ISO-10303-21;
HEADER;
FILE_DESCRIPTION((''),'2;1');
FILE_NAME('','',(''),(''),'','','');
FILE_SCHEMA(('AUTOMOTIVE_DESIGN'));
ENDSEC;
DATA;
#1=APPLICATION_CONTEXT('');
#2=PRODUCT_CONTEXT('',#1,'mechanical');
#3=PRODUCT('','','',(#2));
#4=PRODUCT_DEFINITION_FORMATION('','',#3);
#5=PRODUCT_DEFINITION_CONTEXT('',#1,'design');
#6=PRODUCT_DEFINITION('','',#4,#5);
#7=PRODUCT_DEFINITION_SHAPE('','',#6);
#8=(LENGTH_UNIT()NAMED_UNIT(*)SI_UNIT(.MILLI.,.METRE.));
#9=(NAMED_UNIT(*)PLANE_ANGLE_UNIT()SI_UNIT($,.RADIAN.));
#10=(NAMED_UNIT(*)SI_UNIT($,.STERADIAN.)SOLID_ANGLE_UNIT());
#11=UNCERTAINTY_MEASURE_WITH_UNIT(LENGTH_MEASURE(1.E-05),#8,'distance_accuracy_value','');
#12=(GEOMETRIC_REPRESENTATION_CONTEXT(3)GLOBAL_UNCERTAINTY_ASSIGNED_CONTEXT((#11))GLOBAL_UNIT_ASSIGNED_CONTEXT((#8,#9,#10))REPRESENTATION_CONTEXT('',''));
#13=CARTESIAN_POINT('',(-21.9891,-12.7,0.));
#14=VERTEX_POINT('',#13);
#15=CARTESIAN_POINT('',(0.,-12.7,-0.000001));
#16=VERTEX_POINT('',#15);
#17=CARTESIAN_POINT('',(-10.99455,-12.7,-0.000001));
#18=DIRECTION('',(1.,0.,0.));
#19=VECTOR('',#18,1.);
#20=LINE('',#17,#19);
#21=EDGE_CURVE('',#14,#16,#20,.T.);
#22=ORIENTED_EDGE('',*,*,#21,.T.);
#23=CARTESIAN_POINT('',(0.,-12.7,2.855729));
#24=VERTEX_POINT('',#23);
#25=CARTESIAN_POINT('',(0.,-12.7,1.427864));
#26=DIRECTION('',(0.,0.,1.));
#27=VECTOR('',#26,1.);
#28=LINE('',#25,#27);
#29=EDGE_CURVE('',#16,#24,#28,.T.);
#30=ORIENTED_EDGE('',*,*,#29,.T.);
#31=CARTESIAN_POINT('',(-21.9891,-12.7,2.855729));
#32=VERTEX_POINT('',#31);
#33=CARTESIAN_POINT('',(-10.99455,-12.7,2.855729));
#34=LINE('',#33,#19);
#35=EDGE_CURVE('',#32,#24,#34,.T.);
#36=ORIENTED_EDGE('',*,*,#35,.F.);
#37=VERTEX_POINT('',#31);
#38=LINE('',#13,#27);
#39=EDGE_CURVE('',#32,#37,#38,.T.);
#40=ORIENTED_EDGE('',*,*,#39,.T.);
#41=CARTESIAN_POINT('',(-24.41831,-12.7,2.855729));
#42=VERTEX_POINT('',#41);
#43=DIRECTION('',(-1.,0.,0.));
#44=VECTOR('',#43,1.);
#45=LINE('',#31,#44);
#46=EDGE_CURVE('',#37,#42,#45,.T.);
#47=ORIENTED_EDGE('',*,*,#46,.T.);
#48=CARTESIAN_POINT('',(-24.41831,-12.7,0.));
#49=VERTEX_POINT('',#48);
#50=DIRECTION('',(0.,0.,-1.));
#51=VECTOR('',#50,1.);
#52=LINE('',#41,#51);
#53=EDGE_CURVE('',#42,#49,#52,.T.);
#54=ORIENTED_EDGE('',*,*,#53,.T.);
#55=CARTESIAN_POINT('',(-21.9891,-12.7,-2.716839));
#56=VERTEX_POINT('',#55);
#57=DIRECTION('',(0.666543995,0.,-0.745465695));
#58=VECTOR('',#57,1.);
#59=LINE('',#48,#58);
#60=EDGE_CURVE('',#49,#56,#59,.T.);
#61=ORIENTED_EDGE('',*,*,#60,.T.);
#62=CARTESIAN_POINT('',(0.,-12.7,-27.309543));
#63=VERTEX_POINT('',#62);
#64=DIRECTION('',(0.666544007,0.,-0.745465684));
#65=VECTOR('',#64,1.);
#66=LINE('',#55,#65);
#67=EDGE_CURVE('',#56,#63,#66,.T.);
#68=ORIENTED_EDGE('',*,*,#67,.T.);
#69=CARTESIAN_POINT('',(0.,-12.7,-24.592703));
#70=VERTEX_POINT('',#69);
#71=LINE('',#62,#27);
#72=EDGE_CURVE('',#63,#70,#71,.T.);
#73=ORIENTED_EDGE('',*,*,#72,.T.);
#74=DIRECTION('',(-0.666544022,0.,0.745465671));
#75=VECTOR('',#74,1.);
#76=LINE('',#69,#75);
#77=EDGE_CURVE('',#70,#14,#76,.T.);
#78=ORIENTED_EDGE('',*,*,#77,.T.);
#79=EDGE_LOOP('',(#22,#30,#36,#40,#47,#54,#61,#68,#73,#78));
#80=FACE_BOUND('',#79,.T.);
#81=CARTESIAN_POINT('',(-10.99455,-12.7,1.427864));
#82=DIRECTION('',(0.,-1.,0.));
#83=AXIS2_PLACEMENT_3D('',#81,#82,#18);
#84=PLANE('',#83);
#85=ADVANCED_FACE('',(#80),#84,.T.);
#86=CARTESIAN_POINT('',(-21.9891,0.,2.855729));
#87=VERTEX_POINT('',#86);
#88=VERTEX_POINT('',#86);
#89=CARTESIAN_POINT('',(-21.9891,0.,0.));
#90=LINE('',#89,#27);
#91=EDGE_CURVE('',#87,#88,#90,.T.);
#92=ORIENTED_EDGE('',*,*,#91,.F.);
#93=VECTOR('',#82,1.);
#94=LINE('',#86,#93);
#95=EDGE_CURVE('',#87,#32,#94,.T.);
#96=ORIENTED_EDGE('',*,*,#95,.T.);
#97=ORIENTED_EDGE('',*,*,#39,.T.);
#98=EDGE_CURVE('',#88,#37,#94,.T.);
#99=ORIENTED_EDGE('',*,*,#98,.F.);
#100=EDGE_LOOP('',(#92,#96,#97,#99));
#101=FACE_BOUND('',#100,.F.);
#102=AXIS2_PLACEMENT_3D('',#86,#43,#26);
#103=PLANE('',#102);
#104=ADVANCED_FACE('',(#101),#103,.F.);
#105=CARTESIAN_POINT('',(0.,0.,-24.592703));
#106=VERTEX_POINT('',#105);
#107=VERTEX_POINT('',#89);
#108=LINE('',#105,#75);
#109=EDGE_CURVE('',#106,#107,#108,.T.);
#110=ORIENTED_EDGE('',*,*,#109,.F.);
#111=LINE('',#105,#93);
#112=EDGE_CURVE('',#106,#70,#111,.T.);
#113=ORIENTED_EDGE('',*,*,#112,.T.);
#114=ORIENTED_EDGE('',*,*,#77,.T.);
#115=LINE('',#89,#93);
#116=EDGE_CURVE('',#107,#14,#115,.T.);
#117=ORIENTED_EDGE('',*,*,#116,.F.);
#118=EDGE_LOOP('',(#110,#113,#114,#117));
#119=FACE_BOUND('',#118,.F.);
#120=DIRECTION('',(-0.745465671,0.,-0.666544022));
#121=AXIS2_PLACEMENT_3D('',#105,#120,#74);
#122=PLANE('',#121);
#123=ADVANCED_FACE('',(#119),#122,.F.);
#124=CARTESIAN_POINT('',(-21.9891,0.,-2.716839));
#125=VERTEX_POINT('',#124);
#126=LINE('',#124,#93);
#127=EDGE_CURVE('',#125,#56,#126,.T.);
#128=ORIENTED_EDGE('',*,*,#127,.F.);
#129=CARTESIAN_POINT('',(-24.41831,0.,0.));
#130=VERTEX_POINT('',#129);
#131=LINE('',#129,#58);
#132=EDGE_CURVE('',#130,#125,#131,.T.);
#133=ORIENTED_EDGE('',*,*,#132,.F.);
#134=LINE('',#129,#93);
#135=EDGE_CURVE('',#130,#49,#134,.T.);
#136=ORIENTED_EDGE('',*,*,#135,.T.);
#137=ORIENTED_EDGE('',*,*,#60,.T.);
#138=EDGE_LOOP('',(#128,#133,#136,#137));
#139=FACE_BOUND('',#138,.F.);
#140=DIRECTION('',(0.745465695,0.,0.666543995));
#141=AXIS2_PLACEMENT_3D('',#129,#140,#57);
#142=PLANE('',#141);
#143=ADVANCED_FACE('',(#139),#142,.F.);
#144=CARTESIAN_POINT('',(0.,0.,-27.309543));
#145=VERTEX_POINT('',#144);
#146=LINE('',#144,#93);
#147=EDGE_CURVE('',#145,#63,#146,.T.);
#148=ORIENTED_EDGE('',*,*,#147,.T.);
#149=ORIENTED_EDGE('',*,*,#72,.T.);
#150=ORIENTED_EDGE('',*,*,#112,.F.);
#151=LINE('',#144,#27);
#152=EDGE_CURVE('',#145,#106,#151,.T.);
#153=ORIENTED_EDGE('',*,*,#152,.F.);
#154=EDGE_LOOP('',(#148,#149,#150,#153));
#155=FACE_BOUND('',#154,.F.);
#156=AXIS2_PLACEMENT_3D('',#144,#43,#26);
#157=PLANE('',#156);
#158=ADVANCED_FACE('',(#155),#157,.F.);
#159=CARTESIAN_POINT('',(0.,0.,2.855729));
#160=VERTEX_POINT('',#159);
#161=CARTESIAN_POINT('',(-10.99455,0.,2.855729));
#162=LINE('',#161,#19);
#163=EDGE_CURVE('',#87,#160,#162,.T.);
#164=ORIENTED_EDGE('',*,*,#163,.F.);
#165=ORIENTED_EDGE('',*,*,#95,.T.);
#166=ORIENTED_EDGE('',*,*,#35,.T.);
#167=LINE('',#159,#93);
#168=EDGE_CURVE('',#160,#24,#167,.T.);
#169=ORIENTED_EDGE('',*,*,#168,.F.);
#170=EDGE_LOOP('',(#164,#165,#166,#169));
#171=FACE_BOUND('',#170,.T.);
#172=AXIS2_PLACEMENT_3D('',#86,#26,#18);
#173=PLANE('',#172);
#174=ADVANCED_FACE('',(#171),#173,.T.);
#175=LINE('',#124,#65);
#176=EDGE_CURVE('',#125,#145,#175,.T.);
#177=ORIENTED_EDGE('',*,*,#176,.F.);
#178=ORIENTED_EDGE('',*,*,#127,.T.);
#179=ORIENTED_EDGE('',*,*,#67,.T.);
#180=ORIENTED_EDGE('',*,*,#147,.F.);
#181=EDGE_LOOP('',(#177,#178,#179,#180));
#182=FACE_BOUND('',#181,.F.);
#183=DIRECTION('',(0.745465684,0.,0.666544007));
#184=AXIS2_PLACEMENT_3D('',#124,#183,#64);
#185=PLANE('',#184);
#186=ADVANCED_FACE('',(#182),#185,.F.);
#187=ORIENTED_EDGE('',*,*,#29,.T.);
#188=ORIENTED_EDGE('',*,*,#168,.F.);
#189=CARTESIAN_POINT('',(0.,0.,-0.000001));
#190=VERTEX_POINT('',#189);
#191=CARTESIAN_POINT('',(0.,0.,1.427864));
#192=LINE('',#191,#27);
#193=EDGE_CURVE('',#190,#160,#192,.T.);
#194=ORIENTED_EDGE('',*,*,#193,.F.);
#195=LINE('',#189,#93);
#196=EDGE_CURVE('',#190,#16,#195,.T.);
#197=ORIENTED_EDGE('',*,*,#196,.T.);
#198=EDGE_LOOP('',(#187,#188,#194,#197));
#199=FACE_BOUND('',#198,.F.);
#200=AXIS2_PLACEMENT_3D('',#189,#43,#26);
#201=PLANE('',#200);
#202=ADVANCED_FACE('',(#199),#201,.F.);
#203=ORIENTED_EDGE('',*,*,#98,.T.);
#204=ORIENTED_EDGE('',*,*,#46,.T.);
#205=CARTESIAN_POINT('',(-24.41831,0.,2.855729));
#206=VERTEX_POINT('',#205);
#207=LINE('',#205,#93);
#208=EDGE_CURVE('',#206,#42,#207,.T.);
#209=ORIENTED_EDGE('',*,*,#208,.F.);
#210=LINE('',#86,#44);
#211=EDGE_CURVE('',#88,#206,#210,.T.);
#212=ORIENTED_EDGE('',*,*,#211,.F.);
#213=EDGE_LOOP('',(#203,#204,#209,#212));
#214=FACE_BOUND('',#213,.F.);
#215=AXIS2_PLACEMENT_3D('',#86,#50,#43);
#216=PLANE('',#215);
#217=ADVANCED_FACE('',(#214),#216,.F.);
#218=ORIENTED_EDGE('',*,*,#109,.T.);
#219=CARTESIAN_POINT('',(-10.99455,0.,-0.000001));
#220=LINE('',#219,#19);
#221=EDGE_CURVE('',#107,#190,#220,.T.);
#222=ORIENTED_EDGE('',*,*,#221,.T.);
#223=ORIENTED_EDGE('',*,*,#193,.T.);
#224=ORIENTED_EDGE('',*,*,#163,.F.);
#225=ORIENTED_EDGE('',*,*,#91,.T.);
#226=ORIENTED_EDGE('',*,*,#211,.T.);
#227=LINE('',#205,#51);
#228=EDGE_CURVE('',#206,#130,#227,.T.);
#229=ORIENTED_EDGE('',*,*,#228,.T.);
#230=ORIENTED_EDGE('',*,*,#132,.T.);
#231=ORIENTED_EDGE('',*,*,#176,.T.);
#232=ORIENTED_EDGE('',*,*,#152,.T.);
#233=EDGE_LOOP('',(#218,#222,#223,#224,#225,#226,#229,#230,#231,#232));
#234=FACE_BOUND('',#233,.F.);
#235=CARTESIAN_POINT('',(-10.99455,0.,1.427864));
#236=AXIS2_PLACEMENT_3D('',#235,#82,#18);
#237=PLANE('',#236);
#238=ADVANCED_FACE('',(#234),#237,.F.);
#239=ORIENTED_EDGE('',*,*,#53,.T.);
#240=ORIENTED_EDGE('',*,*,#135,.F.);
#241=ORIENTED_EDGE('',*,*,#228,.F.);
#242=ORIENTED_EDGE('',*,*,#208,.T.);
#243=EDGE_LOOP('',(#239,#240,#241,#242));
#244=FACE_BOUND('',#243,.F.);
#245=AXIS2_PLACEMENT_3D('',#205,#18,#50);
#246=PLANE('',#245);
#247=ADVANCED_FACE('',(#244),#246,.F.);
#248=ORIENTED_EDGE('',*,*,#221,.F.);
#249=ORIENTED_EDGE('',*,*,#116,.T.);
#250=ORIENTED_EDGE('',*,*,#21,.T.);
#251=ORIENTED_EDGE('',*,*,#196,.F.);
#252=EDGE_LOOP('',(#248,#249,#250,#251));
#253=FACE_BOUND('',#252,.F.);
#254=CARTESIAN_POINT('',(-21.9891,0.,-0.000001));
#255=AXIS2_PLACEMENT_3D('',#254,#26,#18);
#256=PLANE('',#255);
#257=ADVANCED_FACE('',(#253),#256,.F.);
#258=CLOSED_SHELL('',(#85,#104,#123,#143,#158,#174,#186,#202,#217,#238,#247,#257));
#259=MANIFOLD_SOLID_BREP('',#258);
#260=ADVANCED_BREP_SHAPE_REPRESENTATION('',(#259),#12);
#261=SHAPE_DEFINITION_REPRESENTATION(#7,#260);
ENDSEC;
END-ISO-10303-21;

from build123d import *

# Parameters (mm, degrees)
F0_W     = 21.9891
F0_H     = 2.855729
F1_DEPTH = 12.7


with BuildPart() as f1:
    # F0 (on Front) → F1 (new body)
    with BuildSketch(Plane.XZ):
        with Locations((-10.99455, 1.427864)):
            Rectangle(F0_W, F0_H)
        Polygon((0, -24.592703), (-21.9891, 0), (-21.9891, 2.855729), (-24.41831, 2.855729), (-24.41831, 0), (-21.9891, -2.716839), (0, -27.309543), align=None)
    extrude(amount=F1_DEPTH)


solid = f1.part
